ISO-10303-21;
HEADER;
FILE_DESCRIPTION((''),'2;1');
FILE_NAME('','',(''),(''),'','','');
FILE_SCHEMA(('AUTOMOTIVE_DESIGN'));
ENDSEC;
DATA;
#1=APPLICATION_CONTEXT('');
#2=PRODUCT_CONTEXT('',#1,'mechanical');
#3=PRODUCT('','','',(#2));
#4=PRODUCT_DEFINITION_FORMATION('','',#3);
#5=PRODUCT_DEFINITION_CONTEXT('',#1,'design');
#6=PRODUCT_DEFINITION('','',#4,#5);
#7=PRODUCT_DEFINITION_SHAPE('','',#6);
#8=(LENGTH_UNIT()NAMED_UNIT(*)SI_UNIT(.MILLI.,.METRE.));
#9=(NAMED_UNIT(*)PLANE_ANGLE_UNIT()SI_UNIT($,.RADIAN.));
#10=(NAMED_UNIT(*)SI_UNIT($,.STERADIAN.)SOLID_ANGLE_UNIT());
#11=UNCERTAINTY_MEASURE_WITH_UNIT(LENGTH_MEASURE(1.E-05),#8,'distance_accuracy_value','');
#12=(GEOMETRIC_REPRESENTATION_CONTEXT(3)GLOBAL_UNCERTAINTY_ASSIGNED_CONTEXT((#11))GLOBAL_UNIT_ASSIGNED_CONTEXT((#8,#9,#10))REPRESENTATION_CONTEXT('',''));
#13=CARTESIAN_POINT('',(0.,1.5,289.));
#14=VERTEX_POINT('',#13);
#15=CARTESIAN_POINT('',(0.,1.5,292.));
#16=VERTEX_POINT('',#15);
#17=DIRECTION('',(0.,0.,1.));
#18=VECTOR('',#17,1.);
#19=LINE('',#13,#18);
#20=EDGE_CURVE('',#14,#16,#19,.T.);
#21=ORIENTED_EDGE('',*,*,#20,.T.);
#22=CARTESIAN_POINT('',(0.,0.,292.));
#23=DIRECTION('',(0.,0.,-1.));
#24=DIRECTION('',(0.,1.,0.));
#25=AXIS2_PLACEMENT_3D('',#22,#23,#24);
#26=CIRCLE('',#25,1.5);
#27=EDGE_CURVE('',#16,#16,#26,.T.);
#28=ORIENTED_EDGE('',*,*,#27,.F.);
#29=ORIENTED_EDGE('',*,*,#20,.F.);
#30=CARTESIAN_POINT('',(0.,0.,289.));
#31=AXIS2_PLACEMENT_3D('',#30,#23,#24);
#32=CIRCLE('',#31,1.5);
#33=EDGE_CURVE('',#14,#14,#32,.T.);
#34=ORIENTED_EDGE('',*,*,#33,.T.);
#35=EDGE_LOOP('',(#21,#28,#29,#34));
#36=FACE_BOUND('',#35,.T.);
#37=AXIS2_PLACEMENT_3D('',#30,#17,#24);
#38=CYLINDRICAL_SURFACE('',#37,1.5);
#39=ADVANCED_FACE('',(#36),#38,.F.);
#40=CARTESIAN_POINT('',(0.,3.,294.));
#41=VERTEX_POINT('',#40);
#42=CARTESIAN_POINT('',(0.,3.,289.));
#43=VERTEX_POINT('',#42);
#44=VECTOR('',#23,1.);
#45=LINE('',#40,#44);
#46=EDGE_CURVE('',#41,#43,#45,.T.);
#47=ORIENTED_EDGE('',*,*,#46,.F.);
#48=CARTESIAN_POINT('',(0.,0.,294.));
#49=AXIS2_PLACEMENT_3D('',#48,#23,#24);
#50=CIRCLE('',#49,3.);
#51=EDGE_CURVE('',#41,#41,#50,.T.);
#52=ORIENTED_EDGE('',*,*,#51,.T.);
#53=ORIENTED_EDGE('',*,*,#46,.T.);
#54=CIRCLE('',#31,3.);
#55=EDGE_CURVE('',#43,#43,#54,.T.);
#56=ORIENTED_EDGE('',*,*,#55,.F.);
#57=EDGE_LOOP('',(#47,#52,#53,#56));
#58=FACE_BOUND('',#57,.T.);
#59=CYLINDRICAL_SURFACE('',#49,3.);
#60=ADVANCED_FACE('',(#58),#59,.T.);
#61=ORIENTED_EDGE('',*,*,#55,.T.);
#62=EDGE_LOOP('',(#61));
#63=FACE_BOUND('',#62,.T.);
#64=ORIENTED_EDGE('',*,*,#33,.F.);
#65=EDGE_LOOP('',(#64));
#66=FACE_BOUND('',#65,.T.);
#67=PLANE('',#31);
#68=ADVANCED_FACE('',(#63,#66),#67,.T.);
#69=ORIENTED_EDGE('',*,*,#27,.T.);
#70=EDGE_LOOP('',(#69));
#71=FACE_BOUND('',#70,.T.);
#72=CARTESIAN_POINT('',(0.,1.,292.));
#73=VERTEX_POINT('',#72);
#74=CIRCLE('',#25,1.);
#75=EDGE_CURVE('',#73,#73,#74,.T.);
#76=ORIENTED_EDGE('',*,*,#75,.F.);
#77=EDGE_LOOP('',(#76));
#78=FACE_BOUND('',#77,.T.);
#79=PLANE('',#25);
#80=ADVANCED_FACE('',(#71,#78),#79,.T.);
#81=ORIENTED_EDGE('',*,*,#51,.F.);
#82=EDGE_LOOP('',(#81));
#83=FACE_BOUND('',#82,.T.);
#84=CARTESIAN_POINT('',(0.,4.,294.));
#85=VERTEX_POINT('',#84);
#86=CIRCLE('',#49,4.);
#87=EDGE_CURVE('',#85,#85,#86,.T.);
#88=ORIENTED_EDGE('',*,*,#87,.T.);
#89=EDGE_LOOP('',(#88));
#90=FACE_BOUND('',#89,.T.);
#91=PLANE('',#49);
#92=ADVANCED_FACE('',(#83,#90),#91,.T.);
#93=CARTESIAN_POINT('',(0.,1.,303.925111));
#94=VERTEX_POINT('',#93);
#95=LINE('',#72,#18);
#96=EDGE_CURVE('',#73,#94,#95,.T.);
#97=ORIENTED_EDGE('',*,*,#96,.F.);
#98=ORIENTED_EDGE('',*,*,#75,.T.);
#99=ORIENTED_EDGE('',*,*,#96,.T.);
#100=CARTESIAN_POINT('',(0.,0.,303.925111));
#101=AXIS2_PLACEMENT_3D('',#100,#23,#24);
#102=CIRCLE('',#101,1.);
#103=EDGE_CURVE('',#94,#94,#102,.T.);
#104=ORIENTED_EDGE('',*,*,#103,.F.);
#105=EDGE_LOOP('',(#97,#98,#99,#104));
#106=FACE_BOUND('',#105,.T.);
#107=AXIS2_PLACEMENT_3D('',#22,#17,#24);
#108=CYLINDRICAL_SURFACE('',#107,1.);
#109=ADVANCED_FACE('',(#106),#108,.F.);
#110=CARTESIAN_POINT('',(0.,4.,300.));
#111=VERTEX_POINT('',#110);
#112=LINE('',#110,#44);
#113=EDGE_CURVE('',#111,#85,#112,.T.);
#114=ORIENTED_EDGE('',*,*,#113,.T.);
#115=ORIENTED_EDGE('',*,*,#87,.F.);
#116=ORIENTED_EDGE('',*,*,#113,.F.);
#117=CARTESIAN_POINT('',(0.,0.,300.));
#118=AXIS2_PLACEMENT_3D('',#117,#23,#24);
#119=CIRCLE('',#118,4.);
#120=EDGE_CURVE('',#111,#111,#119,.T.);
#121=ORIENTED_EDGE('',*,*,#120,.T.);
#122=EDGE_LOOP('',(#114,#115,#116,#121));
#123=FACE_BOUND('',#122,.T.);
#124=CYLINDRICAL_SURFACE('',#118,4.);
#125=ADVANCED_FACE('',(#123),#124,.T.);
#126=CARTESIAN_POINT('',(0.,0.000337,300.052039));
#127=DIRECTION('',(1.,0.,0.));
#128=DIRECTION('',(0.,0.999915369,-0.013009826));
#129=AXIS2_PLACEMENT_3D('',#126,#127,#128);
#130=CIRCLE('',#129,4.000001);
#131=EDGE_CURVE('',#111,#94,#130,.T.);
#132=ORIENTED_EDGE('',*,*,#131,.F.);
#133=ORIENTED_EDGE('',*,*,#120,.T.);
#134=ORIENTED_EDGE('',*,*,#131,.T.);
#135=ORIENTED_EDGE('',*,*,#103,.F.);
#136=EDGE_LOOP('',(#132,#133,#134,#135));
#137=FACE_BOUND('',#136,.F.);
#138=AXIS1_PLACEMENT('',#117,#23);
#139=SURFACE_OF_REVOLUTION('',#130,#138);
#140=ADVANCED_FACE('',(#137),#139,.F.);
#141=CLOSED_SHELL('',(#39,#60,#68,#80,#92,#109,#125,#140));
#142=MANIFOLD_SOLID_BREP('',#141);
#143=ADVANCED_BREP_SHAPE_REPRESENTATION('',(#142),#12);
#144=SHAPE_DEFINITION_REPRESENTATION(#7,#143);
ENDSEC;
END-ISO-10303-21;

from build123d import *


with BuildPart() as part:
    # Sketch → Revolution (revolve)
    with BuildSketch(Plane(origin=(0, 0, 300), x_dir=(0, 0, -1), z_dir=(1, 0, 0))):
        with BuildLine():
            Line((0, 4), (6, 4))
            Line((6, 4), (6, 3))
            Line((6, 3), (11, 3))
            Line((11, 3), (11, 1.5))
            Line((11, 1.5), (8, 1.5))
            Line((8, 1.5), (8, 1))
            Line((8, 1), (-3.925111, 1))
            ThreePointArc((0, 4), (-2.481046, 3.178377), (-3.925111, 1))
        make_face()
    revolve(axis=Axis((0, 0, 300), (0, 0, -1)))


solid = part.part
